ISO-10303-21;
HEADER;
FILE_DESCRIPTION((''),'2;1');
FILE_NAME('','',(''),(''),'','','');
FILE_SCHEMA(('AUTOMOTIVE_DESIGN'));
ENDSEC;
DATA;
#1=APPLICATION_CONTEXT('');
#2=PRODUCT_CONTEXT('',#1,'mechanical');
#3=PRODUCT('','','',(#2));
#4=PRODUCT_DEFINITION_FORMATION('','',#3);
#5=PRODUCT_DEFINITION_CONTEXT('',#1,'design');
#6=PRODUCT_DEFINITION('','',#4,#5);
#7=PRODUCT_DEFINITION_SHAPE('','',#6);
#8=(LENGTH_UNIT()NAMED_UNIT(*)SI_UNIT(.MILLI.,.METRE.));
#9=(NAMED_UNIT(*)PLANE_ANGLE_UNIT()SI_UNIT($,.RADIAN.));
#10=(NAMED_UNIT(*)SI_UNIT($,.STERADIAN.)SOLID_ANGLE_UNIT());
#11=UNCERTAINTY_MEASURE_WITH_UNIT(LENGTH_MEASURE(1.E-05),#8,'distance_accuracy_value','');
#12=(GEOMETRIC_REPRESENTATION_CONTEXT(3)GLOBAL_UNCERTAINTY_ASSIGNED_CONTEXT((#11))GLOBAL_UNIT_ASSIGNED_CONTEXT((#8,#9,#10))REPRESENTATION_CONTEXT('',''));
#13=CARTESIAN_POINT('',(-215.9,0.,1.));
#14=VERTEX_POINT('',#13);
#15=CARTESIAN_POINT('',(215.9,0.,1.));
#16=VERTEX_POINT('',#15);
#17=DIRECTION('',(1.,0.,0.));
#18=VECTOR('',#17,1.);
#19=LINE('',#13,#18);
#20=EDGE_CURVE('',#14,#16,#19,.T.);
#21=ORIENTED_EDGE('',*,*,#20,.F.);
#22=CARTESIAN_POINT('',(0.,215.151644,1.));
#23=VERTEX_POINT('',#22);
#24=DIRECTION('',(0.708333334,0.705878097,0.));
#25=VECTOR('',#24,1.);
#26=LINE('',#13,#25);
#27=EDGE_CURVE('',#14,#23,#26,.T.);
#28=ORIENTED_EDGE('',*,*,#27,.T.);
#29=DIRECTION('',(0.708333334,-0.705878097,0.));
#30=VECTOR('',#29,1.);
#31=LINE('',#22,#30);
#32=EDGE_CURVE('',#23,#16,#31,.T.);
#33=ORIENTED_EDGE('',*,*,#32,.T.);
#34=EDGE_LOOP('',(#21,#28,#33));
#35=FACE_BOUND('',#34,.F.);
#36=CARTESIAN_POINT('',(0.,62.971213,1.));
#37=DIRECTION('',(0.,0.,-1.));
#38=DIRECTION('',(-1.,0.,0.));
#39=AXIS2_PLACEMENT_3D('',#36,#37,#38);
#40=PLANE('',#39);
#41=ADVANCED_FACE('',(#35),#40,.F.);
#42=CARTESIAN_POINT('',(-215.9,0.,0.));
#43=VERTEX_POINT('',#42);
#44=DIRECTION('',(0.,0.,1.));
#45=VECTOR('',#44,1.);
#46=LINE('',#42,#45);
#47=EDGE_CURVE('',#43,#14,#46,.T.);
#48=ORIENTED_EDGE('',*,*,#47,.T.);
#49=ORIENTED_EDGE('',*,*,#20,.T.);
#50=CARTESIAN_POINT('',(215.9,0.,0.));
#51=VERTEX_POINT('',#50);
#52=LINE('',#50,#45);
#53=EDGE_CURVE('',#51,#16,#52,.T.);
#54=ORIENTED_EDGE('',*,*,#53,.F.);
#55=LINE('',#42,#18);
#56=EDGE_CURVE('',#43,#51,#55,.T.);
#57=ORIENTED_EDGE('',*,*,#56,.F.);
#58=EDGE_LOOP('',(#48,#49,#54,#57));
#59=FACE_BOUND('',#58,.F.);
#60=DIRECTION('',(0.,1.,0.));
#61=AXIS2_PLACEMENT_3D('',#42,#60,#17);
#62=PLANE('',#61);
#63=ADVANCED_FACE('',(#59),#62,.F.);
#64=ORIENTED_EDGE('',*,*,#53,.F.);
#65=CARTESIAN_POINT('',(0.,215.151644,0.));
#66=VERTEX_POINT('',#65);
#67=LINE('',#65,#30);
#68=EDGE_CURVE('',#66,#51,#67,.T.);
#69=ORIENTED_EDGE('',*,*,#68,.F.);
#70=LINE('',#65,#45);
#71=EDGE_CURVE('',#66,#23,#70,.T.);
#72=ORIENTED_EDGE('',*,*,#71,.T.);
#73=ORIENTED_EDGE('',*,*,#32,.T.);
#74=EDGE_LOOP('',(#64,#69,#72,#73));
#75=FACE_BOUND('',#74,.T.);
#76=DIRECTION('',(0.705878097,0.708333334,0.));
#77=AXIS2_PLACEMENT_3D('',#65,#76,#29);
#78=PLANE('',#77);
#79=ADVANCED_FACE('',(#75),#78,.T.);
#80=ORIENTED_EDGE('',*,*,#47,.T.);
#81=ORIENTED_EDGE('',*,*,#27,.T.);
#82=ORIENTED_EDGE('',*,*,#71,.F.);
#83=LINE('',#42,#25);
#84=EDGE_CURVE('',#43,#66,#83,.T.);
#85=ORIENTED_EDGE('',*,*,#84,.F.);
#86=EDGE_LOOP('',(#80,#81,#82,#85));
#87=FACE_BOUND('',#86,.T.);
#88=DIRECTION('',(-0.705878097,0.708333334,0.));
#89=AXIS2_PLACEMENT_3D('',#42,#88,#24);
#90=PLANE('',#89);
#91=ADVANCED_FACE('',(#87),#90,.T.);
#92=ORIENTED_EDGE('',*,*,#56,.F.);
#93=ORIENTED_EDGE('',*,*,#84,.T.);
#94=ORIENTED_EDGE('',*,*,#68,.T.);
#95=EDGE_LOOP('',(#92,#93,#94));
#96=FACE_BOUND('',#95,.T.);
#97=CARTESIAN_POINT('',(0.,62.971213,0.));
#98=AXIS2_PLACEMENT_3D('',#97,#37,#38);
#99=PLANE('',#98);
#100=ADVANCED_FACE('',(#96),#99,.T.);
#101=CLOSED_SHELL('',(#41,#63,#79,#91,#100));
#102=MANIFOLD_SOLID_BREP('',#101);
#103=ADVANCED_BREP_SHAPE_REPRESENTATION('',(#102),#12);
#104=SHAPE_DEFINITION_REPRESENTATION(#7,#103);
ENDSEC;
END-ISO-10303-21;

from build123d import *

# Parameters (mm, degrees)
PAD_DEPTH = 1


with BuildPart() as part:
    # Sketch → Pad (new body)
    with BuildSketch(Plane.XY):
        Polygon((-215.9, 0), (0, 215.151644), (215.9, 0), (0, 0), align=None)
    extrude(amount=PAD_DEPTH)


solid = part.part
